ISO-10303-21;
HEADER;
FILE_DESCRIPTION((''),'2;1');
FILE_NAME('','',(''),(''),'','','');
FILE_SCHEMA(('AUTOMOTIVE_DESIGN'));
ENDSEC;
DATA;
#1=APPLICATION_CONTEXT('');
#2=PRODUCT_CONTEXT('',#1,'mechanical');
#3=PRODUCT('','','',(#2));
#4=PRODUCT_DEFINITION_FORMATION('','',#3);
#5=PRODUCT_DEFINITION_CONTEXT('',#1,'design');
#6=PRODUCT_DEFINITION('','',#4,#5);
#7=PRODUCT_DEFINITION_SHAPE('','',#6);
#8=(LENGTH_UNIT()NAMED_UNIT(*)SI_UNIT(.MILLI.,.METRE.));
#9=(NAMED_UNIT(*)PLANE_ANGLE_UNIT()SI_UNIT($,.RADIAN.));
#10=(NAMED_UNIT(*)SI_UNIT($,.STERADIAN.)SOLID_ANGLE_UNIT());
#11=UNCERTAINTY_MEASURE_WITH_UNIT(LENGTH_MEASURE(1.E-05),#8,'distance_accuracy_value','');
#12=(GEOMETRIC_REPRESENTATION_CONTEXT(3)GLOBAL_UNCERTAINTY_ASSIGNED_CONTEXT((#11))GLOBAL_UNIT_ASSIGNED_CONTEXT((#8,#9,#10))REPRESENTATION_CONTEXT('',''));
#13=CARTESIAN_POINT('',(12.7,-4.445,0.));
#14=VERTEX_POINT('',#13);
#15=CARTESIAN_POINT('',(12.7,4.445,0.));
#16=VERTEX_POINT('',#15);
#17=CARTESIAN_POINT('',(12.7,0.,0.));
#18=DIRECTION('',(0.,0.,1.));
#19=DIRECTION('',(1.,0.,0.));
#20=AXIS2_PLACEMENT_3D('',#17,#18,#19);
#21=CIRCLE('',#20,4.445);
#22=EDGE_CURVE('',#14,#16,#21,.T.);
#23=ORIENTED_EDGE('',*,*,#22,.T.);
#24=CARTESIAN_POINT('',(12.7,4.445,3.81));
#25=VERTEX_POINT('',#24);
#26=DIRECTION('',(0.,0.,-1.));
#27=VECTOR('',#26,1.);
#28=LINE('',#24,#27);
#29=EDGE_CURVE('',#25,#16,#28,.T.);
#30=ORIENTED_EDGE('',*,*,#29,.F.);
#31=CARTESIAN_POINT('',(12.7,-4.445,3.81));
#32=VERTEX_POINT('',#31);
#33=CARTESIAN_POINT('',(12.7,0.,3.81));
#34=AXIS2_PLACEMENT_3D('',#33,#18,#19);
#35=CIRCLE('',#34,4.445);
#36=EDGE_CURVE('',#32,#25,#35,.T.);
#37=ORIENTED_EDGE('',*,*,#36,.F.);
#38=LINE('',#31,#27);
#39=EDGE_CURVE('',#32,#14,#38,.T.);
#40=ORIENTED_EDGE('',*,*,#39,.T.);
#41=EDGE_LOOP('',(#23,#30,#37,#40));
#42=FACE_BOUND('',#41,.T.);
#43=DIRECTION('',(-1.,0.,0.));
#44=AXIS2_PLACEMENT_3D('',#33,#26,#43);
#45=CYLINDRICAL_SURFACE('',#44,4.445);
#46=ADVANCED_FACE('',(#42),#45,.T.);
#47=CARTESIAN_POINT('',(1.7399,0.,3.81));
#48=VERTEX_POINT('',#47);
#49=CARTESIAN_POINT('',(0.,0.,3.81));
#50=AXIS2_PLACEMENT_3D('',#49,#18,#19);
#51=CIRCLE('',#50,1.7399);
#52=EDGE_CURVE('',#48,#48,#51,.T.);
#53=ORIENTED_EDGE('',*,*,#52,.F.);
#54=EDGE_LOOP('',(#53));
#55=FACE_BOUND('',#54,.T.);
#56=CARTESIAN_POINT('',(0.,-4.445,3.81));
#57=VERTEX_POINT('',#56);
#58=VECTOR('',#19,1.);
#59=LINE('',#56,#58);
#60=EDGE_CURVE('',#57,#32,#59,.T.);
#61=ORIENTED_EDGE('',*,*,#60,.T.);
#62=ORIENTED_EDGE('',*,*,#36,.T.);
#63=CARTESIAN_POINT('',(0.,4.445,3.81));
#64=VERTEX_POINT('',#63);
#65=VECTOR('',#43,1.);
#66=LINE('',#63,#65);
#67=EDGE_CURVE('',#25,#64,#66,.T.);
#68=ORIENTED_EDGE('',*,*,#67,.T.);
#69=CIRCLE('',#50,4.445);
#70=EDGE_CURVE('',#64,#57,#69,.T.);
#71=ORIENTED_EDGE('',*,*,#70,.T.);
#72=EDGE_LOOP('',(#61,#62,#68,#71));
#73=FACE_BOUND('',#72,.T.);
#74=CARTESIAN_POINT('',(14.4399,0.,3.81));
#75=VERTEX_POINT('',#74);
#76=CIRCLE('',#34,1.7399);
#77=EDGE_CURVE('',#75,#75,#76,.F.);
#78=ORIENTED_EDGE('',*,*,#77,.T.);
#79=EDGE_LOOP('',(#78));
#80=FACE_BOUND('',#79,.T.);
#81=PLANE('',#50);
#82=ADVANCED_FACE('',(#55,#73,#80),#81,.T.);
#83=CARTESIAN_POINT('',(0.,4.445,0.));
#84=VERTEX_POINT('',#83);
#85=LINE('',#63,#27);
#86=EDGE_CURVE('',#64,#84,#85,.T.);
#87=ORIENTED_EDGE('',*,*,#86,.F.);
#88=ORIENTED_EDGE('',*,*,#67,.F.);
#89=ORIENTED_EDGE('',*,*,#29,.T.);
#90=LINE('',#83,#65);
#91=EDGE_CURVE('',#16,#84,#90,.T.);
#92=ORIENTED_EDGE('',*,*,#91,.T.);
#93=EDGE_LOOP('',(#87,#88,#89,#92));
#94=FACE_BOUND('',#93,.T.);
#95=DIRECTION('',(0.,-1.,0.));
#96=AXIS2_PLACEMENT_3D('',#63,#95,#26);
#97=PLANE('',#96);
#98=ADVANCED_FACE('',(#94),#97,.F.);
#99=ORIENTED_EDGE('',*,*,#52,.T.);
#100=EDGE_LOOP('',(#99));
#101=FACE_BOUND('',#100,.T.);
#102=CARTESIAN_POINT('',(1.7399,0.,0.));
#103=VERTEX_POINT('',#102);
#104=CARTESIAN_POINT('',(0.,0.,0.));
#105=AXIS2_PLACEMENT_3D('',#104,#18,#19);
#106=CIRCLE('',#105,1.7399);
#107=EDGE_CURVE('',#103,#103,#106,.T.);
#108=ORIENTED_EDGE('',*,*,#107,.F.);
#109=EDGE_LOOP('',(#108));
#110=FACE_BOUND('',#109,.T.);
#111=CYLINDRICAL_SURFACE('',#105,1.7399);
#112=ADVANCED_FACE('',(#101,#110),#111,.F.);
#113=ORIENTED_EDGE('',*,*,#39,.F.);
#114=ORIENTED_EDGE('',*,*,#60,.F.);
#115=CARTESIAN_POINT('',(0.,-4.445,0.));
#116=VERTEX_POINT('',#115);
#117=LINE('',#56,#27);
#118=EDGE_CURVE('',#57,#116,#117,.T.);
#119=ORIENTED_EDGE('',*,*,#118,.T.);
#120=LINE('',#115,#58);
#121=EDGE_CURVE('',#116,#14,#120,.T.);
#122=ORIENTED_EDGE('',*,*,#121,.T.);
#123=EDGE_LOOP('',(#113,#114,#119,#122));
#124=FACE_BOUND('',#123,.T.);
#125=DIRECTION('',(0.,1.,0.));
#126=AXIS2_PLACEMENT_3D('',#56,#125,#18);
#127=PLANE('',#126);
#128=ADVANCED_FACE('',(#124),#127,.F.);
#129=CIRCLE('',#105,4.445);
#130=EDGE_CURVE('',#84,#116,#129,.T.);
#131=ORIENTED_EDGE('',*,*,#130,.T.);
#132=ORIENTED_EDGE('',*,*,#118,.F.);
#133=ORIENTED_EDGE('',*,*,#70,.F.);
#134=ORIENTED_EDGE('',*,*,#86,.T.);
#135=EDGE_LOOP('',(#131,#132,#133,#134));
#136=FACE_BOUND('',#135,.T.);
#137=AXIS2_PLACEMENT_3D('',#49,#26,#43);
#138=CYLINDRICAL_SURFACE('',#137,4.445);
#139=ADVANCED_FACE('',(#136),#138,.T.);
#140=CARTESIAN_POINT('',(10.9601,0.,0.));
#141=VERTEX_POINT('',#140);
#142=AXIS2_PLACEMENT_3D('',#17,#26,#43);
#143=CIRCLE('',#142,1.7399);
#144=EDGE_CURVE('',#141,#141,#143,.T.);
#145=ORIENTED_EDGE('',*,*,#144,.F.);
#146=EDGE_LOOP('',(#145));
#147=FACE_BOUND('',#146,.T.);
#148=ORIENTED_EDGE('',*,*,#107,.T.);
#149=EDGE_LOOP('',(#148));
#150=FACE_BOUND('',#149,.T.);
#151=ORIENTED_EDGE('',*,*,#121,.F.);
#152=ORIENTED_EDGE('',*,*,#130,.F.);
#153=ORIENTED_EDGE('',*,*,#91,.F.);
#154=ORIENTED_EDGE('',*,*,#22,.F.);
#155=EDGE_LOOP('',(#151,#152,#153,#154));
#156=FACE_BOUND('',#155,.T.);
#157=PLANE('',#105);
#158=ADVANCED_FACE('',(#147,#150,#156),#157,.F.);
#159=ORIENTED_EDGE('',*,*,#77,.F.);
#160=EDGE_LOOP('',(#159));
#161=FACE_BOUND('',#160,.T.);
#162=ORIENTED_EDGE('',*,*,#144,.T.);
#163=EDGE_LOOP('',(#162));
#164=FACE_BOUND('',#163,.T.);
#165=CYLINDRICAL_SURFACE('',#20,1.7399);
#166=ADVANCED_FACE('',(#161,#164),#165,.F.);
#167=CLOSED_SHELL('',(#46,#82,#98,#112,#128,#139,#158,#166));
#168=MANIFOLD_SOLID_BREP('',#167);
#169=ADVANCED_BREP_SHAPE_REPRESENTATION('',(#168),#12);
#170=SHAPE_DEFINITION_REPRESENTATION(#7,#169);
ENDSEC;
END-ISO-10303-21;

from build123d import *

# Parameters (mm, degrees)
BOSS_EXTRUDE1_DEPTH = 3.81
CUT_EXTRUDE1_START  = -4.81
SKETCH2_R           = 1.7399
CUT_EXTRUDE1_DEPTH  = 5.81


with BuildPart() as part:
    # Sketch1 → Boss-Extrude1 (new body)
    with BuildSketch(Plane.XY):
        with BuildLine():
            Line((0, 4.445), (12.7, 4.445))
            ThreePointArc((12.7, 4.445), (17.145, 0), (12.7, -4.445))
            Line((12.7, -4.445), (0, -4.445))
            ThreePointArc((0, -4.445), (-4.445, 0), (0, 4.445))
        make_face()
    extrude(amount=BOSS_EXTRUDE1_DEPTH)

    # Sketch2 → Cut-Extrude1 (cut)
    with BuildSketch(Plane.XY.offset(3.81).offset(CUT_EXTRUDE1_START)):
        Circle(SKETCH2_R)
    cut_extrude1 = extrude(amount=CUT_EXTRUDE1_DEPTH, mode=Mode.SUBTRACT)

    # Mirror1: Cut-Extrude1 across plane
    add(cut_extrude1.mirror(Plane(origin=(6.35, 0, 0), x_dir=(0, 0, 1), z_dir=(1, 0, 0))), mode=Mode.SUBTRACT)


solid = part.part
